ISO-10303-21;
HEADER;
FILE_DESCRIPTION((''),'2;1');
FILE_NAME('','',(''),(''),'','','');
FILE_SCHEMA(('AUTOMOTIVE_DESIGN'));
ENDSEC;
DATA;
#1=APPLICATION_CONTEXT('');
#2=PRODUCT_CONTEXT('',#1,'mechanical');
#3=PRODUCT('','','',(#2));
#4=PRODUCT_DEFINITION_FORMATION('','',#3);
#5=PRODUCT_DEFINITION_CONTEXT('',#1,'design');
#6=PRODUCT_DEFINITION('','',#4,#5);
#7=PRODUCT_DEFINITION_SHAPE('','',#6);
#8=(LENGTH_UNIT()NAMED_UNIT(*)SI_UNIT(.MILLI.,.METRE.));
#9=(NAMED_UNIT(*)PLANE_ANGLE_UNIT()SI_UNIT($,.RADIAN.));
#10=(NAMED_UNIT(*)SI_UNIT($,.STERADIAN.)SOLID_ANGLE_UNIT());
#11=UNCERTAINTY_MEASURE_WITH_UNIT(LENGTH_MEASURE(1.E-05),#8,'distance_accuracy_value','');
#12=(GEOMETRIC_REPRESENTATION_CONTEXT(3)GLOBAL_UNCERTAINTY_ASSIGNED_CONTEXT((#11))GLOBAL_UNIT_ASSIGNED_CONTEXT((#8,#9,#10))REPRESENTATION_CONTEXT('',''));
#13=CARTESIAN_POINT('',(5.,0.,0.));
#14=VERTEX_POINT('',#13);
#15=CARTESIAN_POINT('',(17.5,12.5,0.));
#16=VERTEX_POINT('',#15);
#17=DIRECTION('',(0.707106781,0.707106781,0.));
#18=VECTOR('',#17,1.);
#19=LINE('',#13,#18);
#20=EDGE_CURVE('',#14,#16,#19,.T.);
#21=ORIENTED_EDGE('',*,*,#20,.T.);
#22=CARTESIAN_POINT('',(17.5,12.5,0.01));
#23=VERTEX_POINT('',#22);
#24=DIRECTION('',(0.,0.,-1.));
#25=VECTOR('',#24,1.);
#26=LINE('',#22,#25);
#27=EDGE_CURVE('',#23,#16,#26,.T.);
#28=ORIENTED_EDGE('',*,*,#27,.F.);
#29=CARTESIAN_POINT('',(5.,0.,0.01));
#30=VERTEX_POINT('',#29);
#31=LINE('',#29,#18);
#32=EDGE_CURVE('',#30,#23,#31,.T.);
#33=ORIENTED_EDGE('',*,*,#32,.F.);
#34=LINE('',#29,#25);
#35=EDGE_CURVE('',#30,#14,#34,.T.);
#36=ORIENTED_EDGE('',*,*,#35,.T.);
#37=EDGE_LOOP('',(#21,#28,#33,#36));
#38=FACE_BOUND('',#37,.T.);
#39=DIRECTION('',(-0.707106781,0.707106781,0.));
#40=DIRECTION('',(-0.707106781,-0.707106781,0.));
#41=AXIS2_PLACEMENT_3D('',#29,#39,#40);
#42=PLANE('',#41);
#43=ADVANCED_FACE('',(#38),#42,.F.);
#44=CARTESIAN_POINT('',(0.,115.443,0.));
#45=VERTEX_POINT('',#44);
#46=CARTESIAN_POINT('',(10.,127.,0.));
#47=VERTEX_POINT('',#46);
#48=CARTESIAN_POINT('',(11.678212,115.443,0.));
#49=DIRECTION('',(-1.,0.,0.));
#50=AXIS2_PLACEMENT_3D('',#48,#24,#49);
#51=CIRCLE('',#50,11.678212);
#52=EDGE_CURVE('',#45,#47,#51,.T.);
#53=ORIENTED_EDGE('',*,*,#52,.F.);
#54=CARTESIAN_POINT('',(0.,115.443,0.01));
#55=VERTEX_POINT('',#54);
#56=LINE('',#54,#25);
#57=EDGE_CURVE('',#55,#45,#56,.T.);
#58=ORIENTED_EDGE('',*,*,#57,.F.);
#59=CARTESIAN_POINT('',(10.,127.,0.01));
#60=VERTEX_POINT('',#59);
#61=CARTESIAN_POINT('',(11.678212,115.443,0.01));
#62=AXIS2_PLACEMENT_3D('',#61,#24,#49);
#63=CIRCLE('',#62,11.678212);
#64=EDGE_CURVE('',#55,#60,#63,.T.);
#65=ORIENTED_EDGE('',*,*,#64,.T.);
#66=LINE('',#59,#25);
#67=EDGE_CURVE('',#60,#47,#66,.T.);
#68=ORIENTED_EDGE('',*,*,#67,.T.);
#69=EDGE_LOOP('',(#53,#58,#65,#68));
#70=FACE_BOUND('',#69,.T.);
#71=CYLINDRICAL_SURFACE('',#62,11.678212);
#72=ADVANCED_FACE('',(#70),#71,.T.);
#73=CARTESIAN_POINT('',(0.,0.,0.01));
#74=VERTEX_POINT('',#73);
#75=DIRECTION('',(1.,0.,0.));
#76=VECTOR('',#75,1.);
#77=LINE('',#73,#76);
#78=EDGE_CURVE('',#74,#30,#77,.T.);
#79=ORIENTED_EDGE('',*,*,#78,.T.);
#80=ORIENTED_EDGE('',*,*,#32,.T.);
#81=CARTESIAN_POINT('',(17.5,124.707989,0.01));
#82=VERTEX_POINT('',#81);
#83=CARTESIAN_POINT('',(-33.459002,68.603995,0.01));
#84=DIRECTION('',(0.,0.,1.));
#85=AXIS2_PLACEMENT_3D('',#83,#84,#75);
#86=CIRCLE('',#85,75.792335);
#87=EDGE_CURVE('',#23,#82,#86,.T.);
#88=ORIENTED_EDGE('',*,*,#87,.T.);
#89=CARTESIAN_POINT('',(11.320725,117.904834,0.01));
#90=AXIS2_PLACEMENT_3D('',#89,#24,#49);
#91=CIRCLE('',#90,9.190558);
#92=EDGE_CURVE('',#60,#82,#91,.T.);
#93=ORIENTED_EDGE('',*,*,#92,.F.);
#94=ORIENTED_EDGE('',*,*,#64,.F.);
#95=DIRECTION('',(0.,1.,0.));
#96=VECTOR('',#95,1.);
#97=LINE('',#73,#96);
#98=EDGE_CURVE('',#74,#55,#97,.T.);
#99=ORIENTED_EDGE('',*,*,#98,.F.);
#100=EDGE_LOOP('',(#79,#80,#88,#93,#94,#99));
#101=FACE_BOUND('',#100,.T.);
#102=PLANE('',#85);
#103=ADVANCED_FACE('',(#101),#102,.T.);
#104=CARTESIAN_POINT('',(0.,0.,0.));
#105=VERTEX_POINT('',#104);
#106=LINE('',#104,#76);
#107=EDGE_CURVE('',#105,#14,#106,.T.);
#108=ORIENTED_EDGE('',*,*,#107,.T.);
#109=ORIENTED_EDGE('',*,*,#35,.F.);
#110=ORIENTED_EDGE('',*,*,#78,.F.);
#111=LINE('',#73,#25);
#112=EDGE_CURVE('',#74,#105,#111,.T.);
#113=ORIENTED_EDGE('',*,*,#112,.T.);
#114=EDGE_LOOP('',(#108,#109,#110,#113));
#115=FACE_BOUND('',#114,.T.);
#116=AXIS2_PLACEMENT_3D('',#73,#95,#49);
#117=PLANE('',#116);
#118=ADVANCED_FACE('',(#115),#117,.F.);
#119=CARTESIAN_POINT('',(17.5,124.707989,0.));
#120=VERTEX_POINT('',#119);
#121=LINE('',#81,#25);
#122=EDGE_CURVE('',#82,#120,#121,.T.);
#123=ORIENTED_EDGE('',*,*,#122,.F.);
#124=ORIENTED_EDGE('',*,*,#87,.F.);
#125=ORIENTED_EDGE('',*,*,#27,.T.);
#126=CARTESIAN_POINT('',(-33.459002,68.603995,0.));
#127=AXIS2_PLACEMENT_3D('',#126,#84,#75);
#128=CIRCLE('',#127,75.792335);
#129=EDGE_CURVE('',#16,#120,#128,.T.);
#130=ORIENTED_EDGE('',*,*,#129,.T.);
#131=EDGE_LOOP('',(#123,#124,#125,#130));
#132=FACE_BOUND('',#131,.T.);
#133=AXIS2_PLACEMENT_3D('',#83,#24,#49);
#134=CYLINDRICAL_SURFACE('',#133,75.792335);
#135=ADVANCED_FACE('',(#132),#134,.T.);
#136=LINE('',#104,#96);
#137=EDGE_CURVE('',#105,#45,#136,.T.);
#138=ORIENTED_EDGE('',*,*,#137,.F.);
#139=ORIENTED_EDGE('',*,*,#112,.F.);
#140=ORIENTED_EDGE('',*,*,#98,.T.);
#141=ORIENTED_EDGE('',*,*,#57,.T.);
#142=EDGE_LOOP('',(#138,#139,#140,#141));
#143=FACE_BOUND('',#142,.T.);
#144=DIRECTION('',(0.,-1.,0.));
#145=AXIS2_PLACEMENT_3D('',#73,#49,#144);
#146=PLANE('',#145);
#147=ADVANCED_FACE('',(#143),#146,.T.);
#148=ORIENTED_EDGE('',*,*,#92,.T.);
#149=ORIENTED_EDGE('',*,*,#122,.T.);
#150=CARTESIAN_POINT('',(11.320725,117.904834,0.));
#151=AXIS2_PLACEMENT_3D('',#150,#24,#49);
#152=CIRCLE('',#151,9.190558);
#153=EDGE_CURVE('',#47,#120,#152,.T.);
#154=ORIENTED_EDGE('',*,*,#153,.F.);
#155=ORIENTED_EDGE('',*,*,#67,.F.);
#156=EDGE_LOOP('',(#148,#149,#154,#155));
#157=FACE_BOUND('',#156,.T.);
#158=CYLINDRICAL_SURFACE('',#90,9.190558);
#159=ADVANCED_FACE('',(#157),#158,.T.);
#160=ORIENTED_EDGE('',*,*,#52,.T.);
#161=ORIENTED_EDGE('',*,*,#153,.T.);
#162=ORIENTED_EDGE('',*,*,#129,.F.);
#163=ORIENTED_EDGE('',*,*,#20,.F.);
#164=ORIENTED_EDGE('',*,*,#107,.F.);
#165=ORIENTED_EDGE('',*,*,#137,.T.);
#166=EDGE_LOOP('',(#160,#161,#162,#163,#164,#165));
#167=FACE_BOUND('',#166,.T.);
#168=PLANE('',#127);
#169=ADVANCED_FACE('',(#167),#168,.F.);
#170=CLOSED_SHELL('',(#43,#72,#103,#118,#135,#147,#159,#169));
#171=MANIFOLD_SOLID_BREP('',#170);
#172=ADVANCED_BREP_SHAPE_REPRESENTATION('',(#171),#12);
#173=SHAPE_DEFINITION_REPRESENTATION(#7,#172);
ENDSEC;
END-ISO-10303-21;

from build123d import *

# Parameters (mm, degrees)
BOSS_EXTRUDE1_DEPTH = 0.01


with BuildPart() as part:
    # Sketch1 → Boss-Extrude1 (new body)
    with BuildSketch(Plane(origin=(0, 0, 0), x_dir=(0, 1, 0), z_dir=(0, 0, 1))):
        with BuildLine():
            Line((0, 0), (115.443, 0))
            ThreePointArc((115.443, 0), (123.084404468, -2.847041306), (127, -10))
            ThreePointArc((127, -10), (126.694126065, -14.006745363), (124.707989286, -17.5))
            ThreePointArc((124.707989286, -17.5), (68.603994643, -42.333333333), (12.5, -17.5))
            Line((12.5, -17.5), (0, -5))
            Line((0, -5), (0, 0))
        make_face()
    extrude(amount=BOSS_EXTRUDE1_DEPTH)


solid = part.part
